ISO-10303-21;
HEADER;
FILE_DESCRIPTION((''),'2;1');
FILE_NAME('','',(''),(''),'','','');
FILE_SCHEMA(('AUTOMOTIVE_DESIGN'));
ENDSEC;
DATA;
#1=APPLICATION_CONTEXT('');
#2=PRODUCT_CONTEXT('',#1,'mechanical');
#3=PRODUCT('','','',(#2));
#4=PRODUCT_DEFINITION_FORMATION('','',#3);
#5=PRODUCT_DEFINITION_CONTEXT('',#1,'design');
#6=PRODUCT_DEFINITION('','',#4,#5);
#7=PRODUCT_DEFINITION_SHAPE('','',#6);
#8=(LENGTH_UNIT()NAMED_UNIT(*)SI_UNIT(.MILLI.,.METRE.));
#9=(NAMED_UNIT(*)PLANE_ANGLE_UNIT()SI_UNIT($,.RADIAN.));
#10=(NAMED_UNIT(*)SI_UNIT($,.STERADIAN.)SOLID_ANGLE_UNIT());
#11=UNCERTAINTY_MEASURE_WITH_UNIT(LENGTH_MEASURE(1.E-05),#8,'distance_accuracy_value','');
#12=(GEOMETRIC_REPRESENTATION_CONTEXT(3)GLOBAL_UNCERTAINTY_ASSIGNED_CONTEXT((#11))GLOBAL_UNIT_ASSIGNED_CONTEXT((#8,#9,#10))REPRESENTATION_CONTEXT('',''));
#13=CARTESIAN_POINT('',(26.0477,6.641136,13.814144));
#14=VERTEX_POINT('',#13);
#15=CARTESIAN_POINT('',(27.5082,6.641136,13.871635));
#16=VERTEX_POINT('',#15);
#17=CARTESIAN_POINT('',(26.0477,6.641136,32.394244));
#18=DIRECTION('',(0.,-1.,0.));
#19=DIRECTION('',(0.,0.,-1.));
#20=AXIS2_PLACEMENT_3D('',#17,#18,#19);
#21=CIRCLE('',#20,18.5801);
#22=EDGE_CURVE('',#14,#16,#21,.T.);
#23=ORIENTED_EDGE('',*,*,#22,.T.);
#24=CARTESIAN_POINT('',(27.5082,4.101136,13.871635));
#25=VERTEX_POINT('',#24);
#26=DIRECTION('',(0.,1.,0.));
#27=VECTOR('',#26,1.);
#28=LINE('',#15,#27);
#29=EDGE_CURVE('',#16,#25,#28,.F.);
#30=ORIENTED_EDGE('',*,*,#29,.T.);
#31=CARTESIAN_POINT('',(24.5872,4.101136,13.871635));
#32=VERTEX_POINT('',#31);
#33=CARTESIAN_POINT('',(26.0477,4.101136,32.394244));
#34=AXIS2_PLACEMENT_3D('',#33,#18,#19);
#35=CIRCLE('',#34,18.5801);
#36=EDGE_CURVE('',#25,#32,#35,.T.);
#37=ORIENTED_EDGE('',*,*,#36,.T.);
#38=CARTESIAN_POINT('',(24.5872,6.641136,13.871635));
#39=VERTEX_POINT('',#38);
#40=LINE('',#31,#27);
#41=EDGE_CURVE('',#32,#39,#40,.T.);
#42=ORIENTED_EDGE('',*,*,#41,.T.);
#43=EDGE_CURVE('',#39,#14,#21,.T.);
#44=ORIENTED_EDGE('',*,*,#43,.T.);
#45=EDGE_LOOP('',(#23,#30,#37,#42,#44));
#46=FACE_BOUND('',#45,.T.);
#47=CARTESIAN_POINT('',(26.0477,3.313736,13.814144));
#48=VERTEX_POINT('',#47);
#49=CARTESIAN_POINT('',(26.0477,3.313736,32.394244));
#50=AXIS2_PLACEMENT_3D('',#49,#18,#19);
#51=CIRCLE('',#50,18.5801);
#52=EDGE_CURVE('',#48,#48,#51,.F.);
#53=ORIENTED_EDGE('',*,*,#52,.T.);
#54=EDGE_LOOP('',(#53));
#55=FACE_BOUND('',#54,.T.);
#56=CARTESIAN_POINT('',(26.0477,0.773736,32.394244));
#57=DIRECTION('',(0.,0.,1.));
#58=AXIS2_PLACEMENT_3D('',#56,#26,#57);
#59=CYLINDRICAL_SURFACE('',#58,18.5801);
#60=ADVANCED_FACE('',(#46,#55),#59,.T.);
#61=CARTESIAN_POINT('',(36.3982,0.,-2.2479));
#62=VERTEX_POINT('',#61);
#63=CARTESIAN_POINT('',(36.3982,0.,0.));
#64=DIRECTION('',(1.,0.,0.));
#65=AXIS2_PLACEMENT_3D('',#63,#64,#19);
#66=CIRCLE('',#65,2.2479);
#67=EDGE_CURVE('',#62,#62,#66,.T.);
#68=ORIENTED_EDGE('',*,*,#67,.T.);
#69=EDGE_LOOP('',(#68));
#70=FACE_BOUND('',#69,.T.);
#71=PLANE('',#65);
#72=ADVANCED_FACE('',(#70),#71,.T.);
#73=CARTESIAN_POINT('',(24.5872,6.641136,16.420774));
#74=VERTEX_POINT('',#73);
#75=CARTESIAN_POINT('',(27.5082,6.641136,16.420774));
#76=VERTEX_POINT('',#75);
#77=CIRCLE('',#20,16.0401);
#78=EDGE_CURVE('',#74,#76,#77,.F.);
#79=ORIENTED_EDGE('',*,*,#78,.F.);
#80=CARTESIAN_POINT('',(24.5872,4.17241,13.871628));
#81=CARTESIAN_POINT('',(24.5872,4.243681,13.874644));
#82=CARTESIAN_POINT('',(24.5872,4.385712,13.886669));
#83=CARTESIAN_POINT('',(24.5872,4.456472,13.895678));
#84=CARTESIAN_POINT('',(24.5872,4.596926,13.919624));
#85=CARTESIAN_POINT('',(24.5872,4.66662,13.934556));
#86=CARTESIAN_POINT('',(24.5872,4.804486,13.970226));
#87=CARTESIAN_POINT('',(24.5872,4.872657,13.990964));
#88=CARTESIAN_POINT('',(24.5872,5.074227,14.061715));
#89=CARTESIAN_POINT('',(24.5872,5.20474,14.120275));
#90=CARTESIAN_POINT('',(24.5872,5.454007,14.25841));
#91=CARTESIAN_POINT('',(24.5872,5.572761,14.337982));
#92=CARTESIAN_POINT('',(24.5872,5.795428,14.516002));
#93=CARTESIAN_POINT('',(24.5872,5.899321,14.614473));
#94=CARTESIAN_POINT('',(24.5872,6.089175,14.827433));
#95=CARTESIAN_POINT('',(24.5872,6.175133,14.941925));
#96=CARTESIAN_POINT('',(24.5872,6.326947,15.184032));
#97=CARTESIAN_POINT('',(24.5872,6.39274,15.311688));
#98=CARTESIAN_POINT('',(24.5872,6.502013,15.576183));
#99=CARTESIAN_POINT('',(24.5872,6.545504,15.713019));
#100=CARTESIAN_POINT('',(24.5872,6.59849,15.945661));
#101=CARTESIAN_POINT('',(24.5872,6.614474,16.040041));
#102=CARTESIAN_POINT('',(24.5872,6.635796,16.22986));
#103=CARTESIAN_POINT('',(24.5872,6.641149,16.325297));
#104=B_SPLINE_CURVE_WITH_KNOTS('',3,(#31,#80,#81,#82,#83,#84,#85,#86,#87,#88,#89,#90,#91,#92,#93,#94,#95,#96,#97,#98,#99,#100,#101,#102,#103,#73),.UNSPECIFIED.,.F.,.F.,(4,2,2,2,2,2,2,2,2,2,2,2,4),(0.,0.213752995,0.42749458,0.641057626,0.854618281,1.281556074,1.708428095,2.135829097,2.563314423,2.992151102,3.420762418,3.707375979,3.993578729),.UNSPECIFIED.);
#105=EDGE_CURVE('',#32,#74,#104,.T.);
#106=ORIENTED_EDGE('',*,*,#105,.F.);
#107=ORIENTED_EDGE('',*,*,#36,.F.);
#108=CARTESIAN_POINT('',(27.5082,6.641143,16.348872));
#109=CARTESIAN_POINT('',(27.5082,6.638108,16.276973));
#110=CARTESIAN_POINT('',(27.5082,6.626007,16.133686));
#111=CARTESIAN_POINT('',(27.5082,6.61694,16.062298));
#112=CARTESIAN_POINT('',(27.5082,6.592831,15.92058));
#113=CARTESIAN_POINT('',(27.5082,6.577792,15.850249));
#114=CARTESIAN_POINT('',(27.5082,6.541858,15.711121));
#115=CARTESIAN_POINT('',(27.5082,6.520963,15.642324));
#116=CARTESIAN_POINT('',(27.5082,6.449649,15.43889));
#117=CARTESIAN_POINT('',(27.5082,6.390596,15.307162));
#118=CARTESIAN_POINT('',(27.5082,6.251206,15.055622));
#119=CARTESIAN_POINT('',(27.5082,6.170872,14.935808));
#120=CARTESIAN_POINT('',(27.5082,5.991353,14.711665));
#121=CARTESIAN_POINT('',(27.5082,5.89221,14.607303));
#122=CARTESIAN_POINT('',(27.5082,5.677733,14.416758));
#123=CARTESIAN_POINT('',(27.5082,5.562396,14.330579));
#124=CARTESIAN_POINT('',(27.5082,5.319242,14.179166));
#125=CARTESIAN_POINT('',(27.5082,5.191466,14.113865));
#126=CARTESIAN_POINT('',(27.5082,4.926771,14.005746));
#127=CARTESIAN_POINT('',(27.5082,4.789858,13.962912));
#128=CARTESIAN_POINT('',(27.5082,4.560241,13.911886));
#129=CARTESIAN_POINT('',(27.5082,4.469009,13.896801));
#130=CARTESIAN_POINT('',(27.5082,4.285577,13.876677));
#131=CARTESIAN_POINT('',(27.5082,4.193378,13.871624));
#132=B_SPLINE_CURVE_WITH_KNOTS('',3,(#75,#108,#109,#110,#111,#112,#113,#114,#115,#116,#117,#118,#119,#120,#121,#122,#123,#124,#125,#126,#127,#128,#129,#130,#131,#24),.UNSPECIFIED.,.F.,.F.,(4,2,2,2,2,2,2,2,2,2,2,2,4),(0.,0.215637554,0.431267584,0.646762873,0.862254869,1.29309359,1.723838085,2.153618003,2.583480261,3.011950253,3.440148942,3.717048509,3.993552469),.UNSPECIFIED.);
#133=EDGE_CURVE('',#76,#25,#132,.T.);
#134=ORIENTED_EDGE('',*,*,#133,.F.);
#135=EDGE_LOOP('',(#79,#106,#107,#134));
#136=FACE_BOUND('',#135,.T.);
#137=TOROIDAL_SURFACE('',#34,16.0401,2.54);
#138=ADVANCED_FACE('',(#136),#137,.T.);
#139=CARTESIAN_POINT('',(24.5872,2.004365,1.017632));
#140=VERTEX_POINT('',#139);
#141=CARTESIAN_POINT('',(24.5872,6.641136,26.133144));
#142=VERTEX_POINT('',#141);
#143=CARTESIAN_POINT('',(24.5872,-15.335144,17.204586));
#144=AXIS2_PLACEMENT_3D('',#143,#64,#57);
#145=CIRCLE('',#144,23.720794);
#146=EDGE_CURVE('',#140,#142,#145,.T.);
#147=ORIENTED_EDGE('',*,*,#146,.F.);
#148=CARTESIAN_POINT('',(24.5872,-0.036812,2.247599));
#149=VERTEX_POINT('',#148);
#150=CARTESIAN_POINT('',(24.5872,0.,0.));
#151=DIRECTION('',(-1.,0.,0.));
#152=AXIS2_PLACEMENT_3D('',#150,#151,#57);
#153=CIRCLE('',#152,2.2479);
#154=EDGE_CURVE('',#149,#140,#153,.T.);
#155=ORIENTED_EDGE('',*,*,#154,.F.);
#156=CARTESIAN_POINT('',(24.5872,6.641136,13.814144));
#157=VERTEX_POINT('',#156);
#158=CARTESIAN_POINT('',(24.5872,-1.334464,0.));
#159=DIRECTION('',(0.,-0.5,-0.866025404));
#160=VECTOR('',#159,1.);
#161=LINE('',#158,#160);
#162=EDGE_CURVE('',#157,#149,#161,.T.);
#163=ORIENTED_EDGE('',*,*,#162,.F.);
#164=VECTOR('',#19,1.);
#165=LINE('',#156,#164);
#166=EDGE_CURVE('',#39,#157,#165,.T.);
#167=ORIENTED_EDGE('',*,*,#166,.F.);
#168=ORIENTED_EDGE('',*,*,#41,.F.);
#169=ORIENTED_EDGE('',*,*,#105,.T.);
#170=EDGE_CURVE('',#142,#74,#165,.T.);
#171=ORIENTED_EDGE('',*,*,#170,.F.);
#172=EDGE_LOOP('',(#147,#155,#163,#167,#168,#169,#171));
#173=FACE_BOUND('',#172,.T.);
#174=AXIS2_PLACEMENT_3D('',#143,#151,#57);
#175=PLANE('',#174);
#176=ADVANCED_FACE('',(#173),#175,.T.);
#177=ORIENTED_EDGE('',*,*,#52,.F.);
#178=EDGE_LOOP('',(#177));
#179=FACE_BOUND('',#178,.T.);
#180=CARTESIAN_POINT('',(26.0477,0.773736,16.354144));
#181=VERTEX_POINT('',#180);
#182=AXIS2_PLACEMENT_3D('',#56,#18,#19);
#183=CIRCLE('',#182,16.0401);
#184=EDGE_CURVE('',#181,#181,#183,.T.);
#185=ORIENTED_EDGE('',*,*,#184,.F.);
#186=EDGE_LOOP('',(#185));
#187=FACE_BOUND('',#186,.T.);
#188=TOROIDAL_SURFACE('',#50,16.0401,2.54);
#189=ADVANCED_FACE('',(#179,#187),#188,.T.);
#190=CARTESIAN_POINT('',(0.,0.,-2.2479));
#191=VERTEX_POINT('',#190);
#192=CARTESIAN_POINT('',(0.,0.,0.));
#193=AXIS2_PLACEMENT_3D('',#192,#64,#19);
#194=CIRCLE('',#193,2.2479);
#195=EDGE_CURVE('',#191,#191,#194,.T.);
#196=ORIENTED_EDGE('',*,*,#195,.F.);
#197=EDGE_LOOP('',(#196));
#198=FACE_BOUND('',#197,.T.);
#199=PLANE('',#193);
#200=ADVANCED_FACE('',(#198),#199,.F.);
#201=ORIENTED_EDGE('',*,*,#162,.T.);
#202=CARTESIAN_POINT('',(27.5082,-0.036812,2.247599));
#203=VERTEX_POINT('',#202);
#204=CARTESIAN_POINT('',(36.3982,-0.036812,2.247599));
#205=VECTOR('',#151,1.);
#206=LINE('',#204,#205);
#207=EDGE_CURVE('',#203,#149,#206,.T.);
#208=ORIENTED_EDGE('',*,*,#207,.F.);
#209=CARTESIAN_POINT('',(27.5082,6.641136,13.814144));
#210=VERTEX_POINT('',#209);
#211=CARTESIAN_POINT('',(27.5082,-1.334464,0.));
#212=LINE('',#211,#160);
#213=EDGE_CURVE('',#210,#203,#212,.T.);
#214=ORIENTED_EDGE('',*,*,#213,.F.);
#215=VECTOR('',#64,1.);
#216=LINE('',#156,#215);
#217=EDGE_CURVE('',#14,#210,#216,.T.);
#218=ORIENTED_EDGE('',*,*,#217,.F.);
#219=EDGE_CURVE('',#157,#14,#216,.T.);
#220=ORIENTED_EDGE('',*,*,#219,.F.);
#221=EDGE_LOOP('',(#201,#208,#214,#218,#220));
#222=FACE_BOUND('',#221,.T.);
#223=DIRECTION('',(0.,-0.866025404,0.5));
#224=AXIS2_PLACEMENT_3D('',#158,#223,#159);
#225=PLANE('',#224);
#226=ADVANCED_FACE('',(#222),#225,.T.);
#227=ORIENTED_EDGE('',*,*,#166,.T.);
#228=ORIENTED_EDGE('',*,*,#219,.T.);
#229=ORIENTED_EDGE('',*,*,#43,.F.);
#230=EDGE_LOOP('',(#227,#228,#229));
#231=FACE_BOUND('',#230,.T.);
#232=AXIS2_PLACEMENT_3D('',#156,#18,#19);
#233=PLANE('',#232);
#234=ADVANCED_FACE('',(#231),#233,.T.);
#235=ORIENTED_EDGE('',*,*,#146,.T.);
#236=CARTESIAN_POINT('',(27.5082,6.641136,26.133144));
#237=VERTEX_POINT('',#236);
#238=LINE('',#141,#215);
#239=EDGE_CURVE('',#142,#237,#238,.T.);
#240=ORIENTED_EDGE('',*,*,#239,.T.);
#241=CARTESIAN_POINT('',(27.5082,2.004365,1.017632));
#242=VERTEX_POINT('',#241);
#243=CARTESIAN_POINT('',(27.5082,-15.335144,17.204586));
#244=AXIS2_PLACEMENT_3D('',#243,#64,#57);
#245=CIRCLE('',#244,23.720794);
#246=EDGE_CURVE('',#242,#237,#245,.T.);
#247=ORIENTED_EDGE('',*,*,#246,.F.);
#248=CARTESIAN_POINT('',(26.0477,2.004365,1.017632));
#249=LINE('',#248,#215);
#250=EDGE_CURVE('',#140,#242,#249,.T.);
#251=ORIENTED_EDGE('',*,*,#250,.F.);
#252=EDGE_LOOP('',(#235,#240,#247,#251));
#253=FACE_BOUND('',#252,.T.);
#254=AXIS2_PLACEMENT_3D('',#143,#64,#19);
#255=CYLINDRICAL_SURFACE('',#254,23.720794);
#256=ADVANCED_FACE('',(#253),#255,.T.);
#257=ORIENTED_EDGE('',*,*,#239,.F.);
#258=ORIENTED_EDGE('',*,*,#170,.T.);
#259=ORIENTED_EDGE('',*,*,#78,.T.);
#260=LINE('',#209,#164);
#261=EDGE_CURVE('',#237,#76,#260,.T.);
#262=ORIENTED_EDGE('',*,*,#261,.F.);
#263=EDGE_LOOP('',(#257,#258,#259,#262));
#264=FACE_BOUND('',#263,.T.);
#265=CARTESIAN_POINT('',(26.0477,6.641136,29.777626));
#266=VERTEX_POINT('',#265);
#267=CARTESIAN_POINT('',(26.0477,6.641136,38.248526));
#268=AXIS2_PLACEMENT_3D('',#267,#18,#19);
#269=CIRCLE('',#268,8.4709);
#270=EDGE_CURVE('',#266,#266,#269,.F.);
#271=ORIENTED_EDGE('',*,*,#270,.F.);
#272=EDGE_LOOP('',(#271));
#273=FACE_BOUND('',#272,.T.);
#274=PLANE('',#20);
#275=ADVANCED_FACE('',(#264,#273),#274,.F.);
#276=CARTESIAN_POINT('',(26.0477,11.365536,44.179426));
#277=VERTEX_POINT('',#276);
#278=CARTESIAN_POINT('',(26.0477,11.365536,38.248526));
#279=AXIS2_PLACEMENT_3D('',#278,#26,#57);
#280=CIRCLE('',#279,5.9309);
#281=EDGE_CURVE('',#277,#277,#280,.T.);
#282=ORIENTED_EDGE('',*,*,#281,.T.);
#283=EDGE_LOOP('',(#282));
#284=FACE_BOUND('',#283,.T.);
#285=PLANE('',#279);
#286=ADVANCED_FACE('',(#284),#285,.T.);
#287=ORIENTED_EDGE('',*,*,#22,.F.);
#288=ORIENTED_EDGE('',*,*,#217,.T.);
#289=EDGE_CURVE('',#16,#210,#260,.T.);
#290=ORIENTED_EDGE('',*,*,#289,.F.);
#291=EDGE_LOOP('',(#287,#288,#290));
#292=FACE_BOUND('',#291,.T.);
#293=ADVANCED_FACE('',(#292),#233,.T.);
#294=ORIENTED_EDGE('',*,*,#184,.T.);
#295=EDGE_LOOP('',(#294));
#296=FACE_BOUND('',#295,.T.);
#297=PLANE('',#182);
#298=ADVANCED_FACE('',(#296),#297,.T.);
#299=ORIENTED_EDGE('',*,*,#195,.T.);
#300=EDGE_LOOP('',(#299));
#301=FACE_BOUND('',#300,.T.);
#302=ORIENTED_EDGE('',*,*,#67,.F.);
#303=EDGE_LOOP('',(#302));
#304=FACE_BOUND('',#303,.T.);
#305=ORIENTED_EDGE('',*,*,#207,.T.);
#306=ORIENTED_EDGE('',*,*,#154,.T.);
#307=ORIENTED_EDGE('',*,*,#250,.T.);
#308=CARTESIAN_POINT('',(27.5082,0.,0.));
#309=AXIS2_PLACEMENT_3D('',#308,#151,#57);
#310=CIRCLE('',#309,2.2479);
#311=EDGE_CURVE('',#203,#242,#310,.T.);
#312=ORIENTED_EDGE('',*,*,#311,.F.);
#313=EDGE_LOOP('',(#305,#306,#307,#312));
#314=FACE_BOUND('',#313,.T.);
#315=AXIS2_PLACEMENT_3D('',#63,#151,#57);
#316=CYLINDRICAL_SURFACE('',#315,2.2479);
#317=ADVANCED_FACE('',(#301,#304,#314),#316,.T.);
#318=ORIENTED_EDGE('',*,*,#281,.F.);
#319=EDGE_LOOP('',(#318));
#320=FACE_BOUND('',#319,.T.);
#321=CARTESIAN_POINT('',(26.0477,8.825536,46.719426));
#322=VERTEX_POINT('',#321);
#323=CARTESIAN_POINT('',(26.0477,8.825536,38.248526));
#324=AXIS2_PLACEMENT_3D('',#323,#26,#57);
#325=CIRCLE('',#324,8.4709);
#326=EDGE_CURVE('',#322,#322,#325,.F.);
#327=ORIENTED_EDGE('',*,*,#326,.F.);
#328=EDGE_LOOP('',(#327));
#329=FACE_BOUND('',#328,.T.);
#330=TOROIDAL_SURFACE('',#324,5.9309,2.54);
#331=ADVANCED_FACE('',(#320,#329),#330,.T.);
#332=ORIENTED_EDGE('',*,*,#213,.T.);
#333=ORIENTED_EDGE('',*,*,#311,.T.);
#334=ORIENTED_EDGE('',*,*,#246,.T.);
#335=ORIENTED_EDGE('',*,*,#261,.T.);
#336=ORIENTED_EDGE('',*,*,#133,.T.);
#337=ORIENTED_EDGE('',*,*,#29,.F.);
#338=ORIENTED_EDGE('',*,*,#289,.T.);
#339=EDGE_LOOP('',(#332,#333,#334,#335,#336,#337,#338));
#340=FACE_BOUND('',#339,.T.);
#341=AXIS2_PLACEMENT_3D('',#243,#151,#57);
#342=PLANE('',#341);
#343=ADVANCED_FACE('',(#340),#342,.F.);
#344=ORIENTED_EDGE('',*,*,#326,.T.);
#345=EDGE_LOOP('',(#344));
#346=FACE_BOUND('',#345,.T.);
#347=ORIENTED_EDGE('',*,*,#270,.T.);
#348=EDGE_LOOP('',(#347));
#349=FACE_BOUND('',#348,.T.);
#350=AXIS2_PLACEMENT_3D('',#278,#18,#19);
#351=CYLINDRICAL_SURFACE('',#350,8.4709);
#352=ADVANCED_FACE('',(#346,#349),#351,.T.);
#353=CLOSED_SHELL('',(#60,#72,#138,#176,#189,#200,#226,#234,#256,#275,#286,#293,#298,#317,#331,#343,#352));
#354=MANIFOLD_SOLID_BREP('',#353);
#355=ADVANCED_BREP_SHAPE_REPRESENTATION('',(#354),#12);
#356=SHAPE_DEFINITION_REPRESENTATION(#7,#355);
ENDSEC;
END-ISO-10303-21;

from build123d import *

# Parameters (mm, degrees)
SKETCH1_R           = 2.2479
BOSS_EXTRUDE1_DEPTH = 36.3982
BOSS_EXTRUDE2_DEPTH = 2.921
SKETCH3_R           = 18.5801
BOSS_EXTRUDE3_DEPTH = 5.8674
FILLET1_R           = 2.54
SKETCH4_R           = 8.4709
BOSS_EXTRUDE4_DEPTH = 4.7244
FILLET2_R           = 2.54


with BuildPart() as part:
    # Sketch1 → Boss-Extrude1 (new body)
    with BuildSketch(Plane(origin=(0, 0, 0), x_dir=(0, 0, -1), z_dir=(1, 0, 0))):
        Circle(SKETCH1_R)
    extrude(amount=BOSS_EXTRUDE1_DEPTH)

    # Sketch2 → Boss-Extrude2 (add)
    with BuildSketch(Plane(origin=(27.5082, 0, 0), x_dir=(0, 0, -1), z_dir=(1, 0, 0))):
        with BuildLine():
            Line((0, -1.334463955), (-13.814144421, 6.641136045))
            Line((-13.814144421, 6.641136045), (-26.133144421, 6.641136045))
            ThreePointArc((-26.133144421, 6.641136045), (-12.195347715, 7.850704504), (0, 0.995142749))
            Line((0, 0.995142749), (0, -1.334463955))
        make_face()
    extrude(amount=-BOSS_EXTRUDE2_DEPTH)

    # Sketch3 → Boss-Extrude3 (add)
    with BuildSketch(Plane.XZ.offset(-6.641136045)):
        with Locations(Location((26.0477, 32.394244421, 0), (0, 0, 270))):
            Circle(SKETCH3_R)
    extrude(amount=BOSS_EXTRUDE3_DEPTH)

    # Fillet1
    fillet1_edges = [part.edges().sort_by_distance(p)[0] for p in [
        (26.0477, 6.641136045, 50.974344421),
        (26.0477, 0.773736045, 50.974344421),
    ]]
    fillet(fillet1_edges, radius=FILLET1_R)

    # Sketch4 → Boss-Extrude4 (add)
    with BuildSketch(Plane(origin=(0, 6.641136045, 0), x_dir=(1, 0, 0), z_dir=(0, 1, 0))):
        with Locations(Location((26.0477, -38.248526032, 0), (0, 0, 90))):
            Circle(SKETCH4_R)
    extrude(amount=BOSS_EXTRUDE4_DEPTH)

    # Fillet2
    fillet2_edges = [part.edges().sort_by_distance(p)[0] for p in [
        (26.0477, 11.365536045, 46.719426032),
    ]]
    fillet(fillet2_edges, radius=FILLET2_R)


solid = part.part
